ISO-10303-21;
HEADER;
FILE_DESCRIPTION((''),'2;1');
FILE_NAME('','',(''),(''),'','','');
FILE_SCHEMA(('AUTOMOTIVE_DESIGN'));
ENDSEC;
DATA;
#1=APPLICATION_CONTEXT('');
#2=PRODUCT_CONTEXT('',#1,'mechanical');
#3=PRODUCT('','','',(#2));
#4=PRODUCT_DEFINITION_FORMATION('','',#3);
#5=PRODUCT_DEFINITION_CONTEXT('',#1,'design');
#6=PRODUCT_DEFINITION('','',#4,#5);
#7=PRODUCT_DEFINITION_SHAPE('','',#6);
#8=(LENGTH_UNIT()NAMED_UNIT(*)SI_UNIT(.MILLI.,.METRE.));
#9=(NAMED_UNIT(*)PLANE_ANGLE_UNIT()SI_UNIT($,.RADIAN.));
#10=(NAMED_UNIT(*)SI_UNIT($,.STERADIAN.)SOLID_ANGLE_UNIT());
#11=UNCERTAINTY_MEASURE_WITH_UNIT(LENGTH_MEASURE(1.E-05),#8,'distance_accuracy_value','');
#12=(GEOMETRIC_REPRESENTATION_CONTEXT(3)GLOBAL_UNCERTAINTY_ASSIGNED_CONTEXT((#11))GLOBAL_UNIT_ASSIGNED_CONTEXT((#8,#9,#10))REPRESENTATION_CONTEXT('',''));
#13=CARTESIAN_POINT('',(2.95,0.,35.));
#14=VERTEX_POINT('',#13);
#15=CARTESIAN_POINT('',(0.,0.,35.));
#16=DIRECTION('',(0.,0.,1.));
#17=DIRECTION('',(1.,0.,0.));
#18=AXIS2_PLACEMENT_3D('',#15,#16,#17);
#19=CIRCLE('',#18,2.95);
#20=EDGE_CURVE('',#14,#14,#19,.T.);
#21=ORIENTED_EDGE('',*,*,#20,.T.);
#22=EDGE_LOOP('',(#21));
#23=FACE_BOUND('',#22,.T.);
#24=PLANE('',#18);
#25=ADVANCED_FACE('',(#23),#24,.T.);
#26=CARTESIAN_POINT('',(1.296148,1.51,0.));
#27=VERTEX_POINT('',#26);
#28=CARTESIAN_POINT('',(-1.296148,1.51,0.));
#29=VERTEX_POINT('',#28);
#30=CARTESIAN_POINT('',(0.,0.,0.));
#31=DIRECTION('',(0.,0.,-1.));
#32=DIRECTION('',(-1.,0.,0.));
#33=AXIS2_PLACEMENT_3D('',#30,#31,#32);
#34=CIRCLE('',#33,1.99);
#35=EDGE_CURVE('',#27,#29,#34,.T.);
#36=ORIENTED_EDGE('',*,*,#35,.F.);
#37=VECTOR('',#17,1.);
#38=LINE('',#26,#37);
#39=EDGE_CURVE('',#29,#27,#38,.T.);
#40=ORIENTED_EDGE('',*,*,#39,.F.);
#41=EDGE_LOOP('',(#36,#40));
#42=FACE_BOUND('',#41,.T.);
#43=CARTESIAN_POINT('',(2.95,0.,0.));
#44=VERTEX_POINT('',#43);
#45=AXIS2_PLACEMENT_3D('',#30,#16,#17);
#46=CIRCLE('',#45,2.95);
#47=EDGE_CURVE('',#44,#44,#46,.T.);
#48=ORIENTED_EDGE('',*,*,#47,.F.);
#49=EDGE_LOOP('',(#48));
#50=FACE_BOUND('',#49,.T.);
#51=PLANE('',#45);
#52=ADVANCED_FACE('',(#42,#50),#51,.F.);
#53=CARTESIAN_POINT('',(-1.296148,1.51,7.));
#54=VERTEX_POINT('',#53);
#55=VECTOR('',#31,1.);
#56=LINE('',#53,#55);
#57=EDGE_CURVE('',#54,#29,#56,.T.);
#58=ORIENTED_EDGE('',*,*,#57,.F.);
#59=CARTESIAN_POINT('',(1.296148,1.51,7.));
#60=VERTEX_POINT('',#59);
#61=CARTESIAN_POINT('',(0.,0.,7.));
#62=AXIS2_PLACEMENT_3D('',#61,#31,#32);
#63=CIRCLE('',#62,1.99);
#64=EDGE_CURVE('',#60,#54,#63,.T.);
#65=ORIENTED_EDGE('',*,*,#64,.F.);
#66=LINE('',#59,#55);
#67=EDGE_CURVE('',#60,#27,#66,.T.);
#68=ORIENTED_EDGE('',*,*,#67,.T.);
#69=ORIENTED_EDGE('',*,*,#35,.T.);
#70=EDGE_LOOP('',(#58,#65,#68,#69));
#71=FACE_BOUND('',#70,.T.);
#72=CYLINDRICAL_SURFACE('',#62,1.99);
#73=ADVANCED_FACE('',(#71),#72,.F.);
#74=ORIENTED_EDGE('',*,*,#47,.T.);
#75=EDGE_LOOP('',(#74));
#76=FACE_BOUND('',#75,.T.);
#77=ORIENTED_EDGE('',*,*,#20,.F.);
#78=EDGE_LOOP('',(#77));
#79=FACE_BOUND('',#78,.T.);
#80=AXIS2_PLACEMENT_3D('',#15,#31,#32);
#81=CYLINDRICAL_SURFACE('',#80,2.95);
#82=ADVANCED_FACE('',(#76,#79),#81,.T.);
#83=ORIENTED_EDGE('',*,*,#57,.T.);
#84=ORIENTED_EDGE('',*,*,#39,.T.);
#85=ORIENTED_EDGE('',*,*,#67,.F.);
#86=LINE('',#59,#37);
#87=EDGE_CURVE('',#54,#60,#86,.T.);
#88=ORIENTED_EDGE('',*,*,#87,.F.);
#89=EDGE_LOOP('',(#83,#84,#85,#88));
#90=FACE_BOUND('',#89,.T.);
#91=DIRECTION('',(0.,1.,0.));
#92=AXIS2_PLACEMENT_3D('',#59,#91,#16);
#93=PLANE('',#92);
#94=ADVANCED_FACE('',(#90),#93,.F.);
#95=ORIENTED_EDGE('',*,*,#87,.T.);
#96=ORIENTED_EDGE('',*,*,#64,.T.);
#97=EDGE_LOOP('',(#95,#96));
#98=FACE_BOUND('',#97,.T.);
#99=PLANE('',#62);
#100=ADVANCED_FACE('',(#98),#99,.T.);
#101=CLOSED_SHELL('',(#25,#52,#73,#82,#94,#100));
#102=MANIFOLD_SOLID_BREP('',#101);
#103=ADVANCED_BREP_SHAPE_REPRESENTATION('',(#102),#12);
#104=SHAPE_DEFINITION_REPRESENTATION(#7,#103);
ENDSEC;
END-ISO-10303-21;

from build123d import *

# Parameters (mm, degrees)
SKETCH1_R           = 2.95
BOSS_EXTRUDE1_DEPTH = 35
CUT_EXTRUDE1_DEPTH  = 7


with BuildPart() as part:
    # Sketch1 → Boss-Extrude1 (new body)
    with BuildSketch(Plane.XY):
        Circle(SKETCH1_R)
    extrude(amount=BOSS_EXTRUDE1_DEPTH)

    # Sketch2 → Cut-Extrude1 (cut)
    with BuildSketch(Plane(origin=(0, 0, 0), x_dir=(-1, 0, 0), z_dir=(0, 0, -1))):
        with BuildLine():
            Line((-1.29614814, 1.51), (1.29614814, 1.51))
            ThreePointArc((1.29614814, 1.51), (0, -1.99), (-1.29614814, 1.51))
        make_face()
    extrude(amount=-CUT_EXTRUDE1_DEPTH, mode=Mode.SUBTRACT)


solid = part.part
